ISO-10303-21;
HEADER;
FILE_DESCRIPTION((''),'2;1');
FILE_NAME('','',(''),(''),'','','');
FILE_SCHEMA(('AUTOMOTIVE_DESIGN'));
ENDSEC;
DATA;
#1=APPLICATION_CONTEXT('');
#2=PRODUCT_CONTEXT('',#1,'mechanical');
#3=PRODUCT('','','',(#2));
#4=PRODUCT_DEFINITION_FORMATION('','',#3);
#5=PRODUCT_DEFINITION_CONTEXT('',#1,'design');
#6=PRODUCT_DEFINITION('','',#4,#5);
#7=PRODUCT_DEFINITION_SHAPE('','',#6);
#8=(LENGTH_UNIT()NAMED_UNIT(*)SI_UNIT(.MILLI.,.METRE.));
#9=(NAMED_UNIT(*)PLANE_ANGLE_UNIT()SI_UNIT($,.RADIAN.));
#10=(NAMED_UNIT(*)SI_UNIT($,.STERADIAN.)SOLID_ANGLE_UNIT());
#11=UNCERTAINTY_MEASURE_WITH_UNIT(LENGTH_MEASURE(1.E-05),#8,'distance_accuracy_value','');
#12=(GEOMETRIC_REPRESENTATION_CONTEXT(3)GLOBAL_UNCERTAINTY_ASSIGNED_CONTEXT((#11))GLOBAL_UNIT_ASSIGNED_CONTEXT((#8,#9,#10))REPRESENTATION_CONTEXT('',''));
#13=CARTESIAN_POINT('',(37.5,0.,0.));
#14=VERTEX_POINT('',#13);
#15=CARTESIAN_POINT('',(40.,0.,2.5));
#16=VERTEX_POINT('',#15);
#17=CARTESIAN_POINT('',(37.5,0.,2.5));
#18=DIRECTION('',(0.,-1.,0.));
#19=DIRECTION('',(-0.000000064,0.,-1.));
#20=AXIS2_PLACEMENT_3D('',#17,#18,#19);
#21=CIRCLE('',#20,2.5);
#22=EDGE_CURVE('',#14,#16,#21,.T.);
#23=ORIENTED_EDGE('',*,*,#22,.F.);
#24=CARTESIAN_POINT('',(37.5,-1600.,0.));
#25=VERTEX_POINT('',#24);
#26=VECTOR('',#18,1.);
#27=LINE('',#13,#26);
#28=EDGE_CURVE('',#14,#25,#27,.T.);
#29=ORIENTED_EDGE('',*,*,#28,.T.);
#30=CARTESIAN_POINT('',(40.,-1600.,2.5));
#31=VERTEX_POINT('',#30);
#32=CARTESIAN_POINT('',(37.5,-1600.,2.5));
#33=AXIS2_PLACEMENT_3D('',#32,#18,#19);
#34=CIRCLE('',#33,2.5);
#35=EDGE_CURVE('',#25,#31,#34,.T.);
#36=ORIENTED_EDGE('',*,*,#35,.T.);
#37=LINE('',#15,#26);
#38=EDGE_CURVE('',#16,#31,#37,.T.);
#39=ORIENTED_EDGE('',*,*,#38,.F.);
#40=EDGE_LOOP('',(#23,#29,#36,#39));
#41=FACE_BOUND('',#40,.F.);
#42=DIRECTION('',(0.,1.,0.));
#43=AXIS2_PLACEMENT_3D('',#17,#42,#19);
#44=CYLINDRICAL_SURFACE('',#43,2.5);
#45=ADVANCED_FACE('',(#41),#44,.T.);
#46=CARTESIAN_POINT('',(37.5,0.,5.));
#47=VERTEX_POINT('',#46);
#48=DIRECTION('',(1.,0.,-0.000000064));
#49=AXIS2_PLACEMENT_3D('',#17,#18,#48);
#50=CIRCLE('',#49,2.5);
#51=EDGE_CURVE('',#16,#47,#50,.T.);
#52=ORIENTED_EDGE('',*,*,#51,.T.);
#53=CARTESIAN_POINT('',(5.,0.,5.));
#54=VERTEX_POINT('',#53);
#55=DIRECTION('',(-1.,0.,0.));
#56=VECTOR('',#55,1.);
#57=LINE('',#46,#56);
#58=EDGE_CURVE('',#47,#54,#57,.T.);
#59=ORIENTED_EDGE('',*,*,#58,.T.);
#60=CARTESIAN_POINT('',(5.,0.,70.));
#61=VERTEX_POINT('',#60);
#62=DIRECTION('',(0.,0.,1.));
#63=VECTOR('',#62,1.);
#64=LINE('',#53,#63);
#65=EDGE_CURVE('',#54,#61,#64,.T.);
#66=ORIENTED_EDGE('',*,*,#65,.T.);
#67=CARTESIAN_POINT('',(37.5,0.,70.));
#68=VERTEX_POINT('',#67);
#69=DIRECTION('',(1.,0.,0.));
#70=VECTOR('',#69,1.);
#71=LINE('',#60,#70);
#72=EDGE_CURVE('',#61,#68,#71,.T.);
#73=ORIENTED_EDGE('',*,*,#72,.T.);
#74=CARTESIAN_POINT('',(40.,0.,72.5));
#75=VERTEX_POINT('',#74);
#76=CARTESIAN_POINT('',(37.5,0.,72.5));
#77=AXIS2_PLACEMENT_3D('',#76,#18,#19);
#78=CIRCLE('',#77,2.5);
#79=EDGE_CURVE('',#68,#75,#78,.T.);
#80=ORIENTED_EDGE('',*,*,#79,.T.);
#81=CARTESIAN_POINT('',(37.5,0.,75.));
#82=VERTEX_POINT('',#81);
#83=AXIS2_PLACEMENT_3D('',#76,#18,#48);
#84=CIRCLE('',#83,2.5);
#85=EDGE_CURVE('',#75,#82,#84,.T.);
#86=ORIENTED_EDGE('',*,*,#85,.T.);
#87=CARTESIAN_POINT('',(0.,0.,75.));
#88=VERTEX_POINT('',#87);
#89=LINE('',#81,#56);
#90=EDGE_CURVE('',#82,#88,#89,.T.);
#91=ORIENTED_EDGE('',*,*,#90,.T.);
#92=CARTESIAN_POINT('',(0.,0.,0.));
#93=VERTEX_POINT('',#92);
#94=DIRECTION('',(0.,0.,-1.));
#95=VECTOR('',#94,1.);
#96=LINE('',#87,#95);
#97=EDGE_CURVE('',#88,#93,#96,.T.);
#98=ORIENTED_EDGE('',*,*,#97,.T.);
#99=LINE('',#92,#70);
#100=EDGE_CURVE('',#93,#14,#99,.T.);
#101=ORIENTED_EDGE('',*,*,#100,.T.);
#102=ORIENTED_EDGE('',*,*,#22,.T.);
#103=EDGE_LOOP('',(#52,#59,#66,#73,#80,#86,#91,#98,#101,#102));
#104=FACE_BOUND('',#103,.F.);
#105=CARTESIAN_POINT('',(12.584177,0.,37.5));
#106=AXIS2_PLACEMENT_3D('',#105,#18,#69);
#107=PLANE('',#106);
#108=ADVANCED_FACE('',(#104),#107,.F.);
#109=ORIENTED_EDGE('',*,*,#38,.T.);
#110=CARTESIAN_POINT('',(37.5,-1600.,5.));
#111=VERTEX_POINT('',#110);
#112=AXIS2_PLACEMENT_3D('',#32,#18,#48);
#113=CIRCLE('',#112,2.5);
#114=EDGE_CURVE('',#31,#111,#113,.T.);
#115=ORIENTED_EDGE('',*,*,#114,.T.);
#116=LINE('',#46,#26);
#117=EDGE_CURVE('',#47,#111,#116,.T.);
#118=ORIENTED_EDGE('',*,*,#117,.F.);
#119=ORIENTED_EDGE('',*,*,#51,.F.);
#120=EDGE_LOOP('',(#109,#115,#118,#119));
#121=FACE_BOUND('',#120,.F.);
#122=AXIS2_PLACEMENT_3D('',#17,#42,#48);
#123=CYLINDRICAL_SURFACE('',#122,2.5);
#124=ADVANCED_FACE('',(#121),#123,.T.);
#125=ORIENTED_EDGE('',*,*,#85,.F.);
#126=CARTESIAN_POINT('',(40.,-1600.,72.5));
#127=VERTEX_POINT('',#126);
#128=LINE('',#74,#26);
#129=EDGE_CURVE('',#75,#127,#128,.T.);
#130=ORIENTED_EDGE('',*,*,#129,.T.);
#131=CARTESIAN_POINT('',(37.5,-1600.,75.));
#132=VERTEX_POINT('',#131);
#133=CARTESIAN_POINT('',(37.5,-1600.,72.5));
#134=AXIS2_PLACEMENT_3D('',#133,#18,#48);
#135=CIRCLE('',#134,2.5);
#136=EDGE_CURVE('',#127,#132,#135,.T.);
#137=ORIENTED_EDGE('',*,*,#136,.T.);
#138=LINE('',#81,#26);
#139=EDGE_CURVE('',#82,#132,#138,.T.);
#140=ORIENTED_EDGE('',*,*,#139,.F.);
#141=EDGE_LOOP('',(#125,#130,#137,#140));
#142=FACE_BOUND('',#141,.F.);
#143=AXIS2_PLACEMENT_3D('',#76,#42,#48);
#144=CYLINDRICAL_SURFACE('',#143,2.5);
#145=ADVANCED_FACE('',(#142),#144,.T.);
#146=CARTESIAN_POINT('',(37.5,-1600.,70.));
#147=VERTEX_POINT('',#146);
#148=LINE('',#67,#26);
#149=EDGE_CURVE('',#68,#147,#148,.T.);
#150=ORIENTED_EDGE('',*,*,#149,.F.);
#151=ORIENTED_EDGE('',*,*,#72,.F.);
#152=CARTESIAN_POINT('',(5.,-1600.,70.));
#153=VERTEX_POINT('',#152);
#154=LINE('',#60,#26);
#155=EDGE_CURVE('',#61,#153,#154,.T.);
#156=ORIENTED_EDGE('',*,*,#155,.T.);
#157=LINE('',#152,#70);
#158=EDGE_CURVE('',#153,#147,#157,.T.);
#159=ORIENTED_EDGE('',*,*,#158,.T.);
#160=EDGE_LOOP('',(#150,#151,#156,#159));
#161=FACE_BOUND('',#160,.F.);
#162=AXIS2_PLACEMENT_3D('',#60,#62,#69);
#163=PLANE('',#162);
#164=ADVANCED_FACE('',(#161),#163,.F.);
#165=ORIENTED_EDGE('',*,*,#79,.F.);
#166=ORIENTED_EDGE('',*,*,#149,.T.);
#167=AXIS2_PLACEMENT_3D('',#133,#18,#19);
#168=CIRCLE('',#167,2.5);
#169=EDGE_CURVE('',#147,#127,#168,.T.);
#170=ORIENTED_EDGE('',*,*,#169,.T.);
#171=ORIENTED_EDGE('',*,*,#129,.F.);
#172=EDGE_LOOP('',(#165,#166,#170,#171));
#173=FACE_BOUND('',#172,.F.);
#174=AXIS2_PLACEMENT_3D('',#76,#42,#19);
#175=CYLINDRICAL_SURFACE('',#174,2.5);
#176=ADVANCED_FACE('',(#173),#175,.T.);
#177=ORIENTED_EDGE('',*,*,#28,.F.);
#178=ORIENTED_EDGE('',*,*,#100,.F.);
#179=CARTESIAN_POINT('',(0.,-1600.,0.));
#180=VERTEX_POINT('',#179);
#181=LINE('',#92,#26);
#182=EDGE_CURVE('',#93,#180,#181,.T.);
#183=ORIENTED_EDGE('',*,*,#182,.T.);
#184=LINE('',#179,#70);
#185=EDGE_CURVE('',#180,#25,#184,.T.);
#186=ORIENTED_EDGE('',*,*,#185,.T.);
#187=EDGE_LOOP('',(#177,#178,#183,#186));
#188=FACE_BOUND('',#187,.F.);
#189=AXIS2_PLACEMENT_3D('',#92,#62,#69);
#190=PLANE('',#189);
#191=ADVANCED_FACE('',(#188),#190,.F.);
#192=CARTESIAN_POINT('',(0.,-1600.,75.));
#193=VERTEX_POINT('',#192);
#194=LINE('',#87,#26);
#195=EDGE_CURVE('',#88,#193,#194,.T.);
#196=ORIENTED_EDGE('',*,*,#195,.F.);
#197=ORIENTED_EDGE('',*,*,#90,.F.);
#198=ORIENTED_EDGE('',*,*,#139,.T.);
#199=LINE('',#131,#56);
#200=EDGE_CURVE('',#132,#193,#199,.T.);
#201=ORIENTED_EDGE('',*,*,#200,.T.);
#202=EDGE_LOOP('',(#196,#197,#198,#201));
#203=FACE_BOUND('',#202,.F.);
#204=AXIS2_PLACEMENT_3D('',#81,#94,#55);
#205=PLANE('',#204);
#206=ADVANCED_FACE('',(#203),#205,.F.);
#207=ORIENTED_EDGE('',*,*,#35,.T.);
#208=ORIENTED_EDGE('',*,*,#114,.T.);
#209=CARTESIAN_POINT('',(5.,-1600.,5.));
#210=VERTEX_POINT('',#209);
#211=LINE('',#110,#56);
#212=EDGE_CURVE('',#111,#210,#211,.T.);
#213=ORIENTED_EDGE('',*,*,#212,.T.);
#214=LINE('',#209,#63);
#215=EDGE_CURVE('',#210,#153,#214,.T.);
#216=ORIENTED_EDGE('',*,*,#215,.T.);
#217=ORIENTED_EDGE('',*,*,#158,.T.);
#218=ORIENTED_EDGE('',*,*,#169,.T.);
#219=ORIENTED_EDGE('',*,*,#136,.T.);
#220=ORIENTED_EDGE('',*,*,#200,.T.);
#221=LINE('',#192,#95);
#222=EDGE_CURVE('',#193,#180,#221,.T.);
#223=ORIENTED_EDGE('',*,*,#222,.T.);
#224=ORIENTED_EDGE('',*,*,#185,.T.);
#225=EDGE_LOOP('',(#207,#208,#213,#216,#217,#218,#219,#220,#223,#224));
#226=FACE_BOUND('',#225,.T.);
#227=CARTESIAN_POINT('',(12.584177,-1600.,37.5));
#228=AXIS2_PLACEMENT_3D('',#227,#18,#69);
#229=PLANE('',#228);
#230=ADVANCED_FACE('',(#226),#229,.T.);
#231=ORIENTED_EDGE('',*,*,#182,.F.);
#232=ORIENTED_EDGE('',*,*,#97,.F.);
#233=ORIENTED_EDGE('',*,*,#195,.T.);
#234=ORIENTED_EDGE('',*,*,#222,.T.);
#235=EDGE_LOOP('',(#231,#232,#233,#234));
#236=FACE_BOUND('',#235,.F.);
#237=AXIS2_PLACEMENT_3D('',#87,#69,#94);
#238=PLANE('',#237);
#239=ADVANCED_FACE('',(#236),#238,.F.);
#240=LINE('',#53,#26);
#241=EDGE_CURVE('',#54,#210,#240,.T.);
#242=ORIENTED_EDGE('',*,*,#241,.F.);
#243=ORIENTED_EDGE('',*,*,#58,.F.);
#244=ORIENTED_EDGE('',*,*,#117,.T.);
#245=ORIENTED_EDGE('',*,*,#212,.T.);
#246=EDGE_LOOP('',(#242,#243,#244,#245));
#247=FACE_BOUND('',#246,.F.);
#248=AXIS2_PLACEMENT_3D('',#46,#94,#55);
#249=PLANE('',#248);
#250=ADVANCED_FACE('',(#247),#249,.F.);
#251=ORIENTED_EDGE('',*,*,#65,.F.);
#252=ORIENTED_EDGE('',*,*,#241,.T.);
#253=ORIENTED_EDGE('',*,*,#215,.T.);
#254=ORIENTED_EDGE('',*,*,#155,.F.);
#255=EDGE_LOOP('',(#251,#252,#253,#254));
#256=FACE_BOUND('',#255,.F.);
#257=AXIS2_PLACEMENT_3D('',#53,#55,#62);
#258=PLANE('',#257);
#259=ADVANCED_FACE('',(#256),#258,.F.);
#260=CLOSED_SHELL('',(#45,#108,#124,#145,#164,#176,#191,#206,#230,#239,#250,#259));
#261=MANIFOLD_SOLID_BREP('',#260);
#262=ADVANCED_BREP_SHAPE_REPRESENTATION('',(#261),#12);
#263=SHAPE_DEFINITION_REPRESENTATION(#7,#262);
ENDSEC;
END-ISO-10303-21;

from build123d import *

# Parameters (mm, degrees)
F1_DEPTH = 1600


with BuildPart() as f1:
    # F0 (on Front) → F1 (new body)
    with BuildSketch(Plane.XZ):
        with BuildLine():
            Line((0, 75), (0, 0))
            Line((0, 0), (37.5, 0))
            ThreePointArc((37.5, 0), (39.267767, 0.732233), (40, 2.5))
            ThreePointArc((40, 2.5), (39.267767, 4.267767), (37.5, 5))
            Line((37.5, 5), (5, 5))
            Line((5, 5), (5, 70))
            Line((5, 70), (37.5, 70))
            ThreePointArc((37.5, 70), (39.267767, 70.732233), (40, 72.5))
            ThreePointArc((40, 72.5), (39.267767, 74.267767), (37.5, 75))
            Line((37.5, 75), (0, 75))
        make_face()
    extrude(amount=F1_DEPTH)


solid = f1.part
